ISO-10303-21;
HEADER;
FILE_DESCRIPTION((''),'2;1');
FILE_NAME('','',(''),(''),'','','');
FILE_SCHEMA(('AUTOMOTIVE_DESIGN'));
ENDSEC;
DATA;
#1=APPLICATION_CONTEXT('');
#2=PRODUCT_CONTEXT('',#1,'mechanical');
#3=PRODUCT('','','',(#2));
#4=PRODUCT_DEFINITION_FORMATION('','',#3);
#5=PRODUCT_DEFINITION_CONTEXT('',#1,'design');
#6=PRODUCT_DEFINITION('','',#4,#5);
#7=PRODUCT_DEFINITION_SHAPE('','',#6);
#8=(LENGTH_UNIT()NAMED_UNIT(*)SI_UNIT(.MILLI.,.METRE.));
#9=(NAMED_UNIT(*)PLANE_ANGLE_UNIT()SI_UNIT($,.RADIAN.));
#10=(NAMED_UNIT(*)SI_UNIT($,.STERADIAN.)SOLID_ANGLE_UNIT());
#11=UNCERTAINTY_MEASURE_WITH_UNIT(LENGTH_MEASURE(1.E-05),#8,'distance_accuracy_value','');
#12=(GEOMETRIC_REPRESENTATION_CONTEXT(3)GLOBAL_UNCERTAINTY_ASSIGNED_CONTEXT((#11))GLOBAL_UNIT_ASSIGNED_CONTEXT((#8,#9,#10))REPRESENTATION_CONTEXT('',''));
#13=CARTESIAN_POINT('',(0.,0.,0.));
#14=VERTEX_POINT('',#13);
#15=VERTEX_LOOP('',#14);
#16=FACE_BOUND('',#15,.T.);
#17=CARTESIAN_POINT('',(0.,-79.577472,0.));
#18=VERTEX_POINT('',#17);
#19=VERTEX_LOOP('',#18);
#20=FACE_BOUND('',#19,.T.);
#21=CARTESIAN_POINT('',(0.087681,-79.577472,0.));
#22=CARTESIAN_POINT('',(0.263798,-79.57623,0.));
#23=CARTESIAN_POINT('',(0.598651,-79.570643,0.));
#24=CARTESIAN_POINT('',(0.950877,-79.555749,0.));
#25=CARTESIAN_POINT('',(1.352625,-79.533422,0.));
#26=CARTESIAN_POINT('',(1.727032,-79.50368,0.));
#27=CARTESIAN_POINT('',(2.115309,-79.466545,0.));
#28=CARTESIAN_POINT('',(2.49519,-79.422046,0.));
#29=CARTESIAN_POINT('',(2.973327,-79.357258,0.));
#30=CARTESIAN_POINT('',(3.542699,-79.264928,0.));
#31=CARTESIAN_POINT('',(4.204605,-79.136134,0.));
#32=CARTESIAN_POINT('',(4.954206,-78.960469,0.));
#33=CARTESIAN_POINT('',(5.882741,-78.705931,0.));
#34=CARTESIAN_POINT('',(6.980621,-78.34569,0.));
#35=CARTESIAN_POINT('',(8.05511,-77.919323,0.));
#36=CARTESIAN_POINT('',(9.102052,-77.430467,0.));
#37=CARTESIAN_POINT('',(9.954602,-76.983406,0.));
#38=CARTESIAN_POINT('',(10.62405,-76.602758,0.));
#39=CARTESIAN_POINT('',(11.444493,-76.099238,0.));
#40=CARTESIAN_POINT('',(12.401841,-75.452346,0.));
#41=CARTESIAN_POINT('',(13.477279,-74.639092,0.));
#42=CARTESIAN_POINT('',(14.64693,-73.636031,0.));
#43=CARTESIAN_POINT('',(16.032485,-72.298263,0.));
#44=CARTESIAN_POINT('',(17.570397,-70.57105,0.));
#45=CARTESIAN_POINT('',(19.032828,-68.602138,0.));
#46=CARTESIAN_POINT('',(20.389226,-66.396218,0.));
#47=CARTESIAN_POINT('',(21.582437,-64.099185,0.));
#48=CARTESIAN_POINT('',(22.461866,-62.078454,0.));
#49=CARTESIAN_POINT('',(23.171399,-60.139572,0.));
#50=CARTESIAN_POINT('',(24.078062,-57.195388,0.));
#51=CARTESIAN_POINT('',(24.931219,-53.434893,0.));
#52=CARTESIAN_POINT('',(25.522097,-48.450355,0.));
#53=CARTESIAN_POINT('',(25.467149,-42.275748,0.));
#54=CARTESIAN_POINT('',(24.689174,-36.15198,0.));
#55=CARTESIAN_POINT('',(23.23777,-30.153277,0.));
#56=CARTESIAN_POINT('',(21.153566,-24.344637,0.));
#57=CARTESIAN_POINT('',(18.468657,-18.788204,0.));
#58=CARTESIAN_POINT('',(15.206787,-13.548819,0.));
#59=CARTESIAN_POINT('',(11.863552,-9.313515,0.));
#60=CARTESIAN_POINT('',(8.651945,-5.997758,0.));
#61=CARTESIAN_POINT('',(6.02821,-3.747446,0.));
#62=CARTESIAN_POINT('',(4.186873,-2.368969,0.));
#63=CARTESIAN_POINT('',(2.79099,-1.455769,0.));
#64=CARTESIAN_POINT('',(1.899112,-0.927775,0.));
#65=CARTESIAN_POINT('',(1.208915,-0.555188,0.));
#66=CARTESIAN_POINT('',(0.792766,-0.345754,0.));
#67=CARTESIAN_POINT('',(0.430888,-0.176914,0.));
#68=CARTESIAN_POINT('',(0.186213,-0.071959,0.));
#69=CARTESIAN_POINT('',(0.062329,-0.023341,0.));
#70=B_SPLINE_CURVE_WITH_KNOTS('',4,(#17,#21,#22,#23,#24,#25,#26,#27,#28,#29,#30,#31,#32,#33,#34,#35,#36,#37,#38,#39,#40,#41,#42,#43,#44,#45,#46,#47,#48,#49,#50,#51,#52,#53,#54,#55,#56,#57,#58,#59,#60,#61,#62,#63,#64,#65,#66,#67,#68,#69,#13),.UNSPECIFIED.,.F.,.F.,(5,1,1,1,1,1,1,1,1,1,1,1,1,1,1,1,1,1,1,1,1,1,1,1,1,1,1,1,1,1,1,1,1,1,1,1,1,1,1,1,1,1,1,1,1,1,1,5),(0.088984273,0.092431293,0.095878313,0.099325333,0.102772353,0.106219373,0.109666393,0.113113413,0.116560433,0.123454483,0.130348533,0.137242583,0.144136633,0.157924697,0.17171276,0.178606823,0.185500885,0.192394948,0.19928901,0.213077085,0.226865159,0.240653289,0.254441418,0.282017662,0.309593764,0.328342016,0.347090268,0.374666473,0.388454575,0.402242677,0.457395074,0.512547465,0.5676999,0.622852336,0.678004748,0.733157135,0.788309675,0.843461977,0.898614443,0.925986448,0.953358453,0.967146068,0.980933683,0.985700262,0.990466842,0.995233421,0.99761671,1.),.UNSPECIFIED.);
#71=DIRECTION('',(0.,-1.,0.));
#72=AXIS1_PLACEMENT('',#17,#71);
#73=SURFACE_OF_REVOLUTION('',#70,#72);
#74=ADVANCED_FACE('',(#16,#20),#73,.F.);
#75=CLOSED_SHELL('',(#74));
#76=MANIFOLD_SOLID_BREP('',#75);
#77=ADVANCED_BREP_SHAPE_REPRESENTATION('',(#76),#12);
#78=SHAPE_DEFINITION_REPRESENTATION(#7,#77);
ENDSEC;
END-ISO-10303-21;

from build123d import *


with BuildPart() as part:
    # Sketch1 → Revolve1 (revolve)
    with BuildSketch(Plane.XY):
        with BuildLine():
            Line((0, -79.577471546), (0, 0))
            add(Edge.make_bspline(
                [(0, -79.577471546), (0.087680592, -79.577471546), (0.263797973, -79.576229912), (0.598650591, -79.570642551), (0.950876653, -79.555748656), (1.352625472, -79.533422124), (1.727031768, -79.503680039), (2.115309444, -79.466545155), (2.495189781, -79.422045615), (2.973326832, -79.357257557), (3.542698888, -79.264927606), (4.204604766, -79.136134134), (4.954206011, -78.960469453), (5.882741421, -78.705930541), (6.980621022, -78.34568972), (8.05511025, -77.919323385), (9.102052084, -77.430466979), (9.954602257, -76.983405598), (10.624050192, -76.60275823), (11.444493451, -76.099237964), (12.401840801, -75.452346103), (13.477279244, -74.639091976), (14.646929516, -73.636030698), (16.032484664, -72.298263256), (17.570396601, -70.571049686), (19.032827539, -68.602137848), (20.389225565, -66.396217697), (21.58243703, -64.099184568), (22.461865773, -62.078453784), (23.171399497, -60.139571977), (24.078061705, -57.195387525), (24.931218987, -53.434893309), (25.522097205, -48.450354641), (25.467149475, -42.275747963), (24.689173504, -36.151980055), (23.23776976, -30.15327669), (21.153566345, -24.344637005), (18.468657067, -18.788203828), (15.206787387, -13.548818865), (11.863552233, -9.313515337), (8.651944953, -5.997757609), (6.028210403, -3.747446055), (4.186872933, -2.368968949), (2.790989936, -1.455768974), (1.899111854, -0.927774968), (1.208914958, -0.555188095), (0.792765611, -0.345754338), (0.430888146, -0.176914066), (0.186212553, -0.071959279), (0.062329083, -0.023341488), (0, 0)],
                knots=[0.088984273, 0.088984273, 0.088984273, 0.088984273, 0.088984273, 0.092431293, 0.095878313, 0.099325333, 0.102772353, 0.106219373, 0.109666393, 0.113113413, 0.116560433, 0.123454483, 0.130348533, 0.137242583, 0.144136633, 0.157924697, 0.17171276, 0.178606823, 0.185500885, 0.192394948, 0.19928901, 0.213077085, 0.226865159, 0.240653289, 0.254441418, 0.282017662, 0.309593764, 0.328342016, 0.347090268, 0.374666473, 0.388454575, 0.402242677, 0.457395074, 0.512547465, 0.5676999, 0.622852336, 0.678004748, 0.733157135, 0.788309675, 0.843461977, 0.898614443, 0.925986448, 0.953358453, 0.967146068, 0.980933683, 0.985700262, 0.990466842, 0.995233421, 0.99761671, 1, 1, 1, 1, 1], degree=4))
        make_face()
    revolve(axis=Axis((0, -79.577471546, 0), (0, 1, 0)))


solid = part.part
